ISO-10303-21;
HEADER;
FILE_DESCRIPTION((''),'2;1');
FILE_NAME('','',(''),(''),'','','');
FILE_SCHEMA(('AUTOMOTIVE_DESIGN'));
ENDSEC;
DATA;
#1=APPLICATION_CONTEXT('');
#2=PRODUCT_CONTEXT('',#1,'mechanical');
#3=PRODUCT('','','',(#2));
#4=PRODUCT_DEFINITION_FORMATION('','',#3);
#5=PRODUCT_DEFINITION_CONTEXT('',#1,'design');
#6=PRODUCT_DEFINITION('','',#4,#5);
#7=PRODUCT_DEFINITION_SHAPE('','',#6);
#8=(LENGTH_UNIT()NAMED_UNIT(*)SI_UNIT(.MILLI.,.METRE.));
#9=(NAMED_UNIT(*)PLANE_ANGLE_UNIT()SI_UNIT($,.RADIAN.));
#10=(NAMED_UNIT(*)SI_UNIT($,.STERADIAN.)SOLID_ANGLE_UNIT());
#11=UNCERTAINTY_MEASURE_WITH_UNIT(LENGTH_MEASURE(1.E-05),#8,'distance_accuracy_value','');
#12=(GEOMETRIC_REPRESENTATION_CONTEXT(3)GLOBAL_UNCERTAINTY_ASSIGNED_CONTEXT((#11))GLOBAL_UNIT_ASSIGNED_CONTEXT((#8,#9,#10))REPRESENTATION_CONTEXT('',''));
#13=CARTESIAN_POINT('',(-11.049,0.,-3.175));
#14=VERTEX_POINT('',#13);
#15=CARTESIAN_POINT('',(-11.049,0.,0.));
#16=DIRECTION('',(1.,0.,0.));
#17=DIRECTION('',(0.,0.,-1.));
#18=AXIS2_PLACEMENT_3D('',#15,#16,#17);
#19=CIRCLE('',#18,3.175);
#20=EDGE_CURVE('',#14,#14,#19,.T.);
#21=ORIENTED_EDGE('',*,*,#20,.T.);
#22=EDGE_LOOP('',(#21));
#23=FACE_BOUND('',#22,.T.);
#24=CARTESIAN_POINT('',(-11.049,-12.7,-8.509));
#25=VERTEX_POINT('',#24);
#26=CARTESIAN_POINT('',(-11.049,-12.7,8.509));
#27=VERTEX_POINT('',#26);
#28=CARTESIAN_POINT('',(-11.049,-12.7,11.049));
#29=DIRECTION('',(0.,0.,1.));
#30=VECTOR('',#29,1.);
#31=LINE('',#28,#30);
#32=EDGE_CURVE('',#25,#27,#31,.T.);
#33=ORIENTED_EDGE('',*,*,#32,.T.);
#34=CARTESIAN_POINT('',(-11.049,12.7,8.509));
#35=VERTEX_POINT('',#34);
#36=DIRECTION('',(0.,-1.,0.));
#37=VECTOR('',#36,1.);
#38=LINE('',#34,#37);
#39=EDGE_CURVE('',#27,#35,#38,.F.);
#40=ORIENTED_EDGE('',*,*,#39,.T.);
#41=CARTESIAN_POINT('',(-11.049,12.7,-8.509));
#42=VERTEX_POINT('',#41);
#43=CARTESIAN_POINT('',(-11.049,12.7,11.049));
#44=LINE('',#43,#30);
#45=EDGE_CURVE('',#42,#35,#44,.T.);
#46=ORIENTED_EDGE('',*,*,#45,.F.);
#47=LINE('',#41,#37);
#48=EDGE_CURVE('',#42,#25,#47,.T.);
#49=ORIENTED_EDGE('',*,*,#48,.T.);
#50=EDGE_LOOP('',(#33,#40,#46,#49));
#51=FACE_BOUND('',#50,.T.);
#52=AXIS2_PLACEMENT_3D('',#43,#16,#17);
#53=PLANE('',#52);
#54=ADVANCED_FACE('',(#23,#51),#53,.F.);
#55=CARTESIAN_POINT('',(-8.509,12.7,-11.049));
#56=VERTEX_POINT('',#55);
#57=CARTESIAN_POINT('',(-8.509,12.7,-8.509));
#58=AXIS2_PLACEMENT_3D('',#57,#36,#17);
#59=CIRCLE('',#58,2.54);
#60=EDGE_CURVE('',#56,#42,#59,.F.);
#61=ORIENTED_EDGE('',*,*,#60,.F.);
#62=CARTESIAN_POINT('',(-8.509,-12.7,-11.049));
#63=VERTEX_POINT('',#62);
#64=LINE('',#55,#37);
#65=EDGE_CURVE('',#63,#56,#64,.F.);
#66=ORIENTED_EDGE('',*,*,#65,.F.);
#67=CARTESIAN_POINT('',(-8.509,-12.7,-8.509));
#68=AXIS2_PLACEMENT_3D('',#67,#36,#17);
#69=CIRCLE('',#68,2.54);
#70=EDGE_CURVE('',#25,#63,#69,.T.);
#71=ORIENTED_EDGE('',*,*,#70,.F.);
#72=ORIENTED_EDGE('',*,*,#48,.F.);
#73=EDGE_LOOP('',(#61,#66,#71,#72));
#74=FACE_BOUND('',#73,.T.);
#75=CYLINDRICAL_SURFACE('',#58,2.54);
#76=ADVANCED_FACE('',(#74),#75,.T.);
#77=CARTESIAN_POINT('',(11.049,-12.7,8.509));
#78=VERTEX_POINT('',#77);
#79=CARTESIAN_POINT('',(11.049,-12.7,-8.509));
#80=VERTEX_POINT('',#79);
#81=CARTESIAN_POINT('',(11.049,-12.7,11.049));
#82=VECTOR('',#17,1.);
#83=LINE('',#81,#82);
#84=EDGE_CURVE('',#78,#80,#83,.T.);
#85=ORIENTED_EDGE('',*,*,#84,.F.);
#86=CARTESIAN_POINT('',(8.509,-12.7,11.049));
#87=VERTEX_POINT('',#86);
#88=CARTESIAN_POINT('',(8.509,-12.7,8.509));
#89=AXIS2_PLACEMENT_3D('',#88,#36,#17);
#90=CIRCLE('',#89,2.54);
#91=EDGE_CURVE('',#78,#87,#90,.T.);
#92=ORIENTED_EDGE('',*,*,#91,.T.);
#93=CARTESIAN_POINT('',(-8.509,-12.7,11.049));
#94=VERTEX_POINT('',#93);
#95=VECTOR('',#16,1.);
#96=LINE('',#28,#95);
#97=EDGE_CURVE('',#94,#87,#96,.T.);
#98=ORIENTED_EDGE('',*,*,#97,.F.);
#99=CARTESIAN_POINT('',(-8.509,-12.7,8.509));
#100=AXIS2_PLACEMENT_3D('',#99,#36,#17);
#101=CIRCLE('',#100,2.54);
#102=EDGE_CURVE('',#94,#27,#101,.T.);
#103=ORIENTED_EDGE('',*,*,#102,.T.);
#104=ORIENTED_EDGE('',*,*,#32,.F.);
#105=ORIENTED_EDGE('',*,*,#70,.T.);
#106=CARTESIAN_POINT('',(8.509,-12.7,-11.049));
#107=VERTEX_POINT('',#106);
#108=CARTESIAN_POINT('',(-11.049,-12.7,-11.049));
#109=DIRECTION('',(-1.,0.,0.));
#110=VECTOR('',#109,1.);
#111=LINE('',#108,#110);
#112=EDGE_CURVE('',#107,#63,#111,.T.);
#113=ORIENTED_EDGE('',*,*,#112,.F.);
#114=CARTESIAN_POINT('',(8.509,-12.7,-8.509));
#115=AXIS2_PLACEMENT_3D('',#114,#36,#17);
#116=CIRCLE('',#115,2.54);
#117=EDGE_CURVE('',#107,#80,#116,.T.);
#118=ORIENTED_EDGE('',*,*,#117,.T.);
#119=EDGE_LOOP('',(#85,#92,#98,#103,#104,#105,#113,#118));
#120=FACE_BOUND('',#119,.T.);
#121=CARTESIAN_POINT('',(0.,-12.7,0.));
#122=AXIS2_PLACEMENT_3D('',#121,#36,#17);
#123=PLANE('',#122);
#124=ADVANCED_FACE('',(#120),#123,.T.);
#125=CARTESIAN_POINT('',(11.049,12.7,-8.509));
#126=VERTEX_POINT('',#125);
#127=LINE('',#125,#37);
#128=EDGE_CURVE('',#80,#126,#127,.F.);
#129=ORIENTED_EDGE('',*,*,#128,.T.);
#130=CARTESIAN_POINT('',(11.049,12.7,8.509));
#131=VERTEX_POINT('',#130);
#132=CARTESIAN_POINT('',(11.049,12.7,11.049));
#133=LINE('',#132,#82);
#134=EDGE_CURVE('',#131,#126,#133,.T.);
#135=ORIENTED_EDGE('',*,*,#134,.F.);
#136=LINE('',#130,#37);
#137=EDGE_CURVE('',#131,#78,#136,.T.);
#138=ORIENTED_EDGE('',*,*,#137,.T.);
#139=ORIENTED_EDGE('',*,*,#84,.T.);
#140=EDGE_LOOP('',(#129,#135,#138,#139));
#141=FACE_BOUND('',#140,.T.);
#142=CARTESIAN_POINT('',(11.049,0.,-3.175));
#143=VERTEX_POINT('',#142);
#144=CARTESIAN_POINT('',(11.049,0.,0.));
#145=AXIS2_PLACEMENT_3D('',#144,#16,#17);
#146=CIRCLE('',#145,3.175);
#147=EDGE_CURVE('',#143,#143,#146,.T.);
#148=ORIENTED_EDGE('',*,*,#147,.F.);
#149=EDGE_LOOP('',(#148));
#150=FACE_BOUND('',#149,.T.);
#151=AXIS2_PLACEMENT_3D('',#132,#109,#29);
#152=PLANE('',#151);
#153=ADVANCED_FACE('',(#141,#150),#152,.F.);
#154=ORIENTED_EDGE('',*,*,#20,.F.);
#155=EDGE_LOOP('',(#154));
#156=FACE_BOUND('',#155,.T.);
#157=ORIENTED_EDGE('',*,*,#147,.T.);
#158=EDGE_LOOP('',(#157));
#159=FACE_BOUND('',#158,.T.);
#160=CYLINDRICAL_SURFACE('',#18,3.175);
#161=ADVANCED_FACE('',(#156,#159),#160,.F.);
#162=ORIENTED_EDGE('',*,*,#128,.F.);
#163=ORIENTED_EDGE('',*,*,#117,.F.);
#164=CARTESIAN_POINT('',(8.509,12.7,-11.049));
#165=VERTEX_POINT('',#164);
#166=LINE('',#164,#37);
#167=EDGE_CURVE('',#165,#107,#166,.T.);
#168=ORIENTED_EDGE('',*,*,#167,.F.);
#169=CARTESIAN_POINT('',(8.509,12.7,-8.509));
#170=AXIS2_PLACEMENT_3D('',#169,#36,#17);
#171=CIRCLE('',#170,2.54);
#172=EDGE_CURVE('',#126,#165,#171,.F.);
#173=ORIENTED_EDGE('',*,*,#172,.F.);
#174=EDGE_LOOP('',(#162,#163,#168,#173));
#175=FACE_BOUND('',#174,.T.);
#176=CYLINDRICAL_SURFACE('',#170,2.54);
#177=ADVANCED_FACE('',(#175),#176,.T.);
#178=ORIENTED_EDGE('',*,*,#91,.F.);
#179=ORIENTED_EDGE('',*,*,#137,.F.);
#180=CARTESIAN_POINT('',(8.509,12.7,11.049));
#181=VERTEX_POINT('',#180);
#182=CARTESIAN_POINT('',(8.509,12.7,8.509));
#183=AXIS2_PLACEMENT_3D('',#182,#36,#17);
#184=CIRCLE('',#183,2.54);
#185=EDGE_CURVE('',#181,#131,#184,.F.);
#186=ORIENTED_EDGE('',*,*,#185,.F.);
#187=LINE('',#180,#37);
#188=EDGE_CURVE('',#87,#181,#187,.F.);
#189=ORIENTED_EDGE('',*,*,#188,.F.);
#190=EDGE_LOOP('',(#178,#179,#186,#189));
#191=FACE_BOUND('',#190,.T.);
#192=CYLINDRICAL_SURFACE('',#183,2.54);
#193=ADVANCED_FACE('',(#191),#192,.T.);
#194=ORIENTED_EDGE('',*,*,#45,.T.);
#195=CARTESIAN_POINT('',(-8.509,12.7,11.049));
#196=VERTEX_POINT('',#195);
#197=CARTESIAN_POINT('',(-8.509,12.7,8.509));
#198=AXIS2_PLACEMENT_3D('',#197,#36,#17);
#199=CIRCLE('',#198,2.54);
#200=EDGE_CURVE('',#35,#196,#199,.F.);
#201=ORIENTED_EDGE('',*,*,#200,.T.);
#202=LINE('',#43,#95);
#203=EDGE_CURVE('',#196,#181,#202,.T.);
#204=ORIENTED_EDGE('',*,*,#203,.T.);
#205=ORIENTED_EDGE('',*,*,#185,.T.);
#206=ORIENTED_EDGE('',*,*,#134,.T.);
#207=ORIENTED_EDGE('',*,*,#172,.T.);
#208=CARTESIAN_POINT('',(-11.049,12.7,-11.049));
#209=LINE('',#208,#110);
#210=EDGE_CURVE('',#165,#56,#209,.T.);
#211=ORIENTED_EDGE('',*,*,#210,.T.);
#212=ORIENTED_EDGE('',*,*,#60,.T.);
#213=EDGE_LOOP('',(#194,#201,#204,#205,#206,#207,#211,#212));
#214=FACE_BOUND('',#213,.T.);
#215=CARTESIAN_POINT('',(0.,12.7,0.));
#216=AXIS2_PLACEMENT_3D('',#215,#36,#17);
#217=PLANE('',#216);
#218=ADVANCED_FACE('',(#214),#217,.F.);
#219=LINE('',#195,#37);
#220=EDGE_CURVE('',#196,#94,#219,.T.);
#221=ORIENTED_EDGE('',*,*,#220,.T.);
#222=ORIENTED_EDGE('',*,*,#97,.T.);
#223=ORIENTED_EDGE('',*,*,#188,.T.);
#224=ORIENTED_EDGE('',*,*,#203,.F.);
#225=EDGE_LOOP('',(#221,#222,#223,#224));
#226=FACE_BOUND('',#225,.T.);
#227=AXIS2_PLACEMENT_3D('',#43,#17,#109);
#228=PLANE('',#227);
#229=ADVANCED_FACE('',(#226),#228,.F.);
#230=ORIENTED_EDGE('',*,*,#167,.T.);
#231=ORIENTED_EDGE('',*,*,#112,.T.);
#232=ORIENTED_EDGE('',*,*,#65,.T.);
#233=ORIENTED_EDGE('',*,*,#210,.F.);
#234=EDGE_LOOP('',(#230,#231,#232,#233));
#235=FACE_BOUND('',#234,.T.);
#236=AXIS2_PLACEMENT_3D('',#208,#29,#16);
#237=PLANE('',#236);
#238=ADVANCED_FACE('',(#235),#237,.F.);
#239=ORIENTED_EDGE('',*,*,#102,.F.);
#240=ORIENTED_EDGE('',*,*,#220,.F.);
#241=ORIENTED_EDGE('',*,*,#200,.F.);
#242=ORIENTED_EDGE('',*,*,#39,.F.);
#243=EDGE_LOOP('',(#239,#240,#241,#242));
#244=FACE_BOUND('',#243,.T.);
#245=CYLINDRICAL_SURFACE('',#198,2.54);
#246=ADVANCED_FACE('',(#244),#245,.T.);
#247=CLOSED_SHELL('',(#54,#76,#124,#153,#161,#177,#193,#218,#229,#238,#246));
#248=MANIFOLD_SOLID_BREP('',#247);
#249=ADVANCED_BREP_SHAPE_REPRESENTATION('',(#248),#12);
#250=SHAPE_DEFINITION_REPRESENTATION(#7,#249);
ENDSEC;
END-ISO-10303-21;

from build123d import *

# Parameters (mm, degrees)
SKETCH4_W           = 22.098
SKETCH4_H           = 22.098
BOSS_EXTRUDE2_DEPTH = 12.7
FILLET1_R           = 2.54
SKETCH6_R           = 3.175
CUT_EXTRUDE1_DEPTH  = 28.779344935


with BuildPart() as part:
    # Sketch4 → Boss-Extrude2 (new, symmetric)
    with BuildSketch(Plane(origin=(0, 0, 0), x_dir=(1, 0, 0), z_dir=(0, 1, 0))):
        Rectangle(SKETCH4_W, SKETCH4_H)
    extrude(amount=BOSS_EXTRUDE2_DEPTH, both=True)

    # Fillet1
    fillet1_edges = [part.edges().sort_by_distance(p)[0] for p in [
        (11.049, 0, 11.049),
        (-11.049, 0, 11.049),
        (-11.049, 0, -11.049),
        (11.049, 0, -11.049),
    ]]
    fillet(fillet1_edges, radius=FILLET1_R)

    # Sketch6 → Cut-Extrude1 (cut, through all)
    with BuildSketch(Plane(origin=(11.049, 0, 0), x_dir=(0, 0, -1), z_dir=(1, 0, 0))):
        Circle(SKETCH6_R)
    extrude(amount=-CUT_EXTRUDE1_DEPTH, mode=Mode.SUBTRACT)


solid = part.part
